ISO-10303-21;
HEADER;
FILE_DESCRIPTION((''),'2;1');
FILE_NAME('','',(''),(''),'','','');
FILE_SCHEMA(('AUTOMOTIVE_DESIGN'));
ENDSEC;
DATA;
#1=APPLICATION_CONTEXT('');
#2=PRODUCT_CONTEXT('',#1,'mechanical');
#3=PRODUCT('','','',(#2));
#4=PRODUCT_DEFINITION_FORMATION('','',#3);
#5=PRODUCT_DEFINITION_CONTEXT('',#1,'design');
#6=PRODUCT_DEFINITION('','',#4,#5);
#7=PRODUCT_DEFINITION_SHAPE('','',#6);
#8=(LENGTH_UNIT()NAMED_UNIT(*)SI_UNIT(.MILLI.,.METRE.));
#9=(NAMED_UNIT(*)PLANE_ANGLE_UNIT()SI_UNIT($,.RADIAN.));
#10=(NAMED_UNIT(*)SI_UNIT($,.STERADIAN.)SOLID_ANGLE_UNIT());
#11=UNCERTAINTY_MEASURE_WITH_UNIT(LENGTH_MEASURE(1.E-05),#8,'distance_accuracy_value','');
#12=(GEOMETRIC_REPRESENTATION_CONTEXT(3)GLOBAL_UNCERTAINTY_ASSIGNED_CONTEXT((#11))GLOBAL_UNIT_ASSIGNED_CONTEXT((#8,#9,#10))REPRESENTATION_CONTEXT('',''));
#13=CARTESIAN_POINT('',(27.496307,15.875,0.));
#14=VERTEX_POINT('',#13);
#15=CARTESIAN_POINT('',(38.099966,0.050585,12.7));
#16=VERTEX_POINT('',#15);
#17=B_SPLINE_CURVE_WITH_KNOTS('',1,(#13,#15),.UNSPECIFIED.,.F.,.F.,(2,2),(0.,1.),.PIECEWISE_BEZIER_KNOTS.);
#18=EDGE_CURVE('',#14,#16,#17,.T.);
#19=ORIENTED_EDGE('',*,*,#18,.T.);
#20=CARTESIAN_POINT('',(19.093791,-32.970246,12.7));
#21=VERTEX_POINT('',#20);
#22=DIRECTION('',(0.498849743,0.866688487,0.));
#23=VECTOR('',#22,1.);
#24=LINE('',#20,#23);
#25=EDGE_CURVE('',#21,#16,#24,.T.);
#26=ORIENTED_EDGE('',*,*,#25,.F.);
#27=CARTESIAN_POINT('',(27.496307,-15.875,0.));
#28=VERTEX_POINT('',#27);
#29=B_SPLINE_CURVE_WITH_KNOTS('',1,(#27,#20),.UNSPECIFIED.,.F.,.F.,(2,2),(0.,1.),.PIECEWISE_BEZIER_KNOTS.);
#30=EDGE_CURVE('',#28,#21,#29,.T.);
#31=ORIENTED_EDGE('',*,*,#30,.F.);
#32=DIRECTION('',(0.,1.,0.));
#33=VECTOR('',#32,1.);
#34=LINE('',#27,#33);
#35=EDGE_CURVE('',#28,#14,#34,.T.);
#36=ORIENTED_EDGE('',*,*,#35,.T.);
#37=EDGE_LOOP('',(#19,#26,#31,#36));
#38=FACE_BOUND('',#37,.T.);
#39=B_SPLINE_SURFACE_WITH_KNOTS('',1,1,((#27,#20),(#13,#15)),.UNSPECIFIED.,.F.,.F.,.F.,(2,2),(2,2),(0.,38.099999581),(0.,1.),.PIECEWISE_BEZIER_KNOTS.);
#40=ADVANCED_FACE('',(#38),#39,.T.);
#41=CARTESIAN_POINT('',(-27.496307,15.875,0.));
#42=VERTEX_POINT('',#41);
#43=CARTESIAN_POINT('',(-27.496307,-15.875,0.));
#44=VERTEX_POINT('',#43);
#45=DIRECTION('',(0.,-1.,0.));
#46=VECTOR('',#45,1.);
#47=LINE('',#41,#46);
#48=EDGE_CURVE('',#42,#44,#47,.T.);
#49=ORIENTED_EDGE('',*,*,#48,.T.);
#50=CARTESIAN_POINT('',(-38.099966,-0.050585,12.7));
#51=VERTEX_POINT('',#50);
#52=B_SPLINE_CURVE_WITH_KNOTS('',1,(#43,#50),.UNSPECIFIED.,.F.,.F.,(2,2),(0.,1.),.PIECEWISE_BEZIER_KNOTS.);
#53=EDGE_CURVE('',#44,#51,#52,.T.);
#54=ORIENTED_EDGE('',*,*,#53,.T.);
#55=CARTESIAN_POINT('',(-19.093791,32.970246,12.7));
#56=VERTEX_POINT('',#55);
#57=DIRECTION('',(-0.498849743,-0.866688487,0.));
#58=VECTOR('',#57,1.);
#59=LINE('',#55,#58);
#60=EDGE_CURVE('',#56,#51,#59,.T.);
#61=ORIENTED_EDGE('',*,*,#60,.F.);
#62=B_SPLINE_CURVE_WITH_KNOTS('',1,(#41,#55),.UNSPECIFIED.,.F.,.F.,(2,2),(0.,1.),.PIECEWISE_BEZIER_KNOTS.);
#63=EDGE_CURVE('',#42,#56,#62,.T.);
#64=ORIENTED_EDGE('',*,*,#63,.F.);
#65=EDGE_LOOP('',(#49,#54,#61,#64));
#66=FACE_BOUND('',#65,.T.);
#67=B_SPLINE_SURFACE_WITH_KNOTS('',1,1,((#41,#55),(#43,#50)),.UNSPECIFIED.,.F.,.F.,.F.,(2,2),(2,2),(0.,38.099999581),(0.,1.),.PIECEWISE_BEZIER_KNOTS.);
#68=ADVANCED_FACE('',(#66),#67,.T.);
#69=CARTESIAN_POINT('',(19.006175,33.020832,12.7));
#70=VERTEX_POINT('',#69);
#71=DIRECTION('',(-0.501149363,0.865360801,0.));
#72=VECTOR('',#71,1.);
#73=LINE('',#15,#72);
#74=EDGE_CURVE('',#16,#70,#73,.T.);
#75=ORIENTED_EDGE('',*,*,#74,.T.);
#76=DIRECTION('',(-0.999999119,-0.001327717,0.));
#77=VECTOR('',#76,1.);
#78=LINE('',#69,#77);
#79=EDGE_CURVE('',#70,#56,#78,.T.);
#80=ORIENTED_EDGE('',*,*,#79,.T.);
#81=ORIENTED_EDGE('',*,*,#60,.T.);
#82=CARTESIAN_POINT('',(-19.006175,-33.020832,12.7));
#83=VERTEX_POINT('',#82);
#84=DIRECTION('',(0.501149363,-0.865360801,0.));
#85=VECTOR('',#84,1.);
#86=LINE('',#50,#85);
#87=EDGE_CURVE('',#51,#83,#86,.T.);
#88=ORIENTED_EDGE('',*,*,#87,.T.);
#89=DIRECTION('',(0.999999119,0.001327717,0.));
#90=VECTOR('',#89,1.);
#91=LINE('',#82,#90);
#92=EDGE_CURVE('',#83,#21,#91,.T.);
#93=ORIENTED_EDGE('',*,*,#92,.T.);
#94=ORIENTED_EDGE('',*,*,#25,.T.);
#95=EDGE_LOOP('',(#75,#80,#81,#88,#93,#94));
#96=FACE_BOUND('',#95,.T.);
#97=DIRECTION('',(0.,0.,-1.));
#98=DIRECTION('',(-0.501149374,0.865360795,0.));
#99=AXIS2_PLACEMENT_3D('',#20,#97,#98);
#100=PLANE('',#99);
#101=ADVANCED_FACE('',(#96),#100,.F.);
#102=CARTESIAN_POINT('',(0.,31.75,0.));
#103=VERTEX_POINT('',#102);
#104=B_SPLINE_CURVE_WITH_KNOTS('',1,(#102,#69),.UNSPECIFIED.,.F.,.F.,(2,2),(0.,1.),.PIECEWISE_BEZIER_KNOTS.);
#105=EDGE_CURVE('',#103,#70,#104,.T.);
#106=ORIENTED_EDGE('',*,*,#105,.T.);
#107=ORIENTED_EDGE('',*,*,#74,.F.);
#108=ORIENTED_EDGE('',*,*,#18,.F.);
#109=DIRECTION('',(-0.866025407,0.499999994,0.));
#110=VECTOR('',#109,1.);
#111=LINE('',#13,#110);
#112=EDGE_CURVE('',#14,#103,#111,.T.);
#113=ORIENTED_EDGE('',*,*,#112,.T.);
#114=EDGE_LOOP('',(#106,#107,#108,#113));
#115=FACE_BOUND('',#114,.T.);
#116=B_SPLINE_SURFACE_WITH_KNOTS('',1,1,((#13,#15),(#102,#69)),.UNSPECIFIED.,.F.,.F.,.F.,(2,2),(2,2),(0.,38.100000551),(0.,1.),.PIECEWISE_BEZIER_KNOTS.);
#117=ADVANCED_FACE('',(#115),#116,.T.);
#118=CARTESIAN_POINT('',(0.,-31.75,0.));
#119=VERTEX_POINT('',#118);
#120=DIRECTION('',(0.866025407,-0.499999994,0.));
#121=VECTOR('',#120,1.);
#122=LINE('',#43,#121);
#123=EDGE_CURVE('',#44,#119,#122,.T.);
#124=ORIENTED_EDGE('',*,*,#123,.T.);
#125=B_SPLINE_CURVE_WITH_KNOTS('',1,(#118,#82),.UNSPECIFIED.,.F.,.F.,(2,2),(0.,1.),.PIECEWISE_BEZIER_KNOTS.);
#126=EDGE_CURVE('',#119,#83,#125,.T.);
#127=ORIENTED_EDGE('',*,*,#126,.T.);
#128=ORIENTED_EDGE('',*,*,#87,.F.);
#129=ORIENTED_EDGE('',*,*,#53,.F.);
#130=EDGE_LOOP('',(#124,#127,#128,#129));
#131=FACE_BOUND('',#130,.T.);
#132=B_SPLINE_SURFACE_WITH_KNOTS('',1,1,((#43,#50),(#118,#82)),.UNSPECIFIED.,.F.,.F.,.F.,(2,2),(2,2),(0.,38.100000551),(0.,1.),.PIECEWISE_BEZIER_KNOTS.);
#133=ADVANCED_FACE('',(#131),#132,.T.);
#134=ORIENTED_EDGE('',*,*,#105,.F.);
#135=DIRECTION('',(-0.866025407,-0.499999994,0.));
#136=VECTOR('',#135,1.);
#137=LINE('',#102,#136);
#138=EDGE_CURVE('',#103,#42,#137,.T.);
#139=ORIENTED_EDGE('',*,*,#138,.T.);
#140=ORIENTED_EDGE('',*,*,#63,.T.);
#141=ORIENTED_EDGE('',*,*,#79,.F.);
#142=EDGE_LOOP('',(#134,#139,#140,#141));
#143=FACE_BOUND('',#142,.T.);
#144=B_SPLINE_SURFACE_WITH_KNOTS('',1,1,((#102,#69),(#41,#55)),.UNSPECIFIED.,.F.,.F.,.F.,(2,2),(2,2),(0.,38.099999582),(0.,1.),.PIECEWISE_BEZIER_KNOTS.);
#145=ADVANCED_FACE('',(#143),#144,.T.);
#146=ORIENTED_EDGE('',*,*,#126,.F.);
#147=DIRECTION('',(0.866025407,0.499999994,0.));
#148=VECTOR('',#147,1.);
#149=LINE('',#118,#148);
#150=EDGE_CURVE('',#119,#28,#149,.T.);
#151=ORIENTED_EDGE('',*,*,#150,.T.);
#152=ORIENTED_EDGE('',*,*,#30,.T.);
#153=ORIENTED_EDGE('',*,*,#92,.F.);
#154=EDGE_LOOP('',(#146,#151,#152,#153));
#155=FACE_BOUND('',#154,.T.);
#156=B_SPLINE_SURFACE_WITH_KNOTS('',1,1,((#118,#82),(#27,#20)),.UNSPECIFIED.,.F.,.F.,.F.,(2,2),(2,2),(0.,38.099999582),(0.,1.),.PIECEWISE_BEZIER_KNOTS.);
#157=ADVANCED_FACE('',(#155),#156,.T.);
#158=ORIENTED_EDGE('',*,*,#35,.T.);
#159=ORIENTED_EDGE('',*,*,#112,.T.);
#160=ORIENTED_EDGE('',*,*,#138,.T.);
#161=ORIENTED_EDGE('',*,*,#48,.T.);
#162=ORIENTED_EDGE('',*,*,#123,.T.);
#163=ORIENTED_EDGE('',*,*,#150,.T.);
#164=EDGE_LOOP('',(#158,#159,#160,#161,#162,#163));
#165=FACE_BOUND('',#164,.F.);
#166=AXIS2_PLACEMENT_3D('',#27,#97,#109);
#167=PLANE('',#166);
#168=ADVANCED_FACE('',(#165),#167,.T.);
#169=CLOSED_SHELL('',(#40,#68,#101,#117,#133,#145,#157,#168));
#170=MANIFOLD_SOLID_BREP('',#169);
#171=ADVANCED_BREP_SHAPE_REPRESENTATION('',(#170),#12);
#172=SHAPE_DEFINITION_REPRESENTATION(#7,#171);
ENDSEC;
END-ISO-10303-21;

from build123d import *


with BuildPart() as f3:
    # F0 (on Top) → F3 section 0
    with BuildSketch(Plane.XY):
        Polygon((27.496307, -15.875), (27.496307, 15.875), (0, 31.75), (-27.496307, 15.875), (-27.496307, -15.875), (0, -31.75), align=None)
    # F2 (on offset) → F3 section 1
    with BuildSketch(Plane.XY.offset(12.7)):
        Polygon((19.093791, -32.970246), (38.099966, 0.050585), (19.006175, 33.020832), (-19.093791, 32.970246), (-38.099966, -0.050585), (-19.006175, -33.020832), align=None)
    loft()


solid = f3.part
